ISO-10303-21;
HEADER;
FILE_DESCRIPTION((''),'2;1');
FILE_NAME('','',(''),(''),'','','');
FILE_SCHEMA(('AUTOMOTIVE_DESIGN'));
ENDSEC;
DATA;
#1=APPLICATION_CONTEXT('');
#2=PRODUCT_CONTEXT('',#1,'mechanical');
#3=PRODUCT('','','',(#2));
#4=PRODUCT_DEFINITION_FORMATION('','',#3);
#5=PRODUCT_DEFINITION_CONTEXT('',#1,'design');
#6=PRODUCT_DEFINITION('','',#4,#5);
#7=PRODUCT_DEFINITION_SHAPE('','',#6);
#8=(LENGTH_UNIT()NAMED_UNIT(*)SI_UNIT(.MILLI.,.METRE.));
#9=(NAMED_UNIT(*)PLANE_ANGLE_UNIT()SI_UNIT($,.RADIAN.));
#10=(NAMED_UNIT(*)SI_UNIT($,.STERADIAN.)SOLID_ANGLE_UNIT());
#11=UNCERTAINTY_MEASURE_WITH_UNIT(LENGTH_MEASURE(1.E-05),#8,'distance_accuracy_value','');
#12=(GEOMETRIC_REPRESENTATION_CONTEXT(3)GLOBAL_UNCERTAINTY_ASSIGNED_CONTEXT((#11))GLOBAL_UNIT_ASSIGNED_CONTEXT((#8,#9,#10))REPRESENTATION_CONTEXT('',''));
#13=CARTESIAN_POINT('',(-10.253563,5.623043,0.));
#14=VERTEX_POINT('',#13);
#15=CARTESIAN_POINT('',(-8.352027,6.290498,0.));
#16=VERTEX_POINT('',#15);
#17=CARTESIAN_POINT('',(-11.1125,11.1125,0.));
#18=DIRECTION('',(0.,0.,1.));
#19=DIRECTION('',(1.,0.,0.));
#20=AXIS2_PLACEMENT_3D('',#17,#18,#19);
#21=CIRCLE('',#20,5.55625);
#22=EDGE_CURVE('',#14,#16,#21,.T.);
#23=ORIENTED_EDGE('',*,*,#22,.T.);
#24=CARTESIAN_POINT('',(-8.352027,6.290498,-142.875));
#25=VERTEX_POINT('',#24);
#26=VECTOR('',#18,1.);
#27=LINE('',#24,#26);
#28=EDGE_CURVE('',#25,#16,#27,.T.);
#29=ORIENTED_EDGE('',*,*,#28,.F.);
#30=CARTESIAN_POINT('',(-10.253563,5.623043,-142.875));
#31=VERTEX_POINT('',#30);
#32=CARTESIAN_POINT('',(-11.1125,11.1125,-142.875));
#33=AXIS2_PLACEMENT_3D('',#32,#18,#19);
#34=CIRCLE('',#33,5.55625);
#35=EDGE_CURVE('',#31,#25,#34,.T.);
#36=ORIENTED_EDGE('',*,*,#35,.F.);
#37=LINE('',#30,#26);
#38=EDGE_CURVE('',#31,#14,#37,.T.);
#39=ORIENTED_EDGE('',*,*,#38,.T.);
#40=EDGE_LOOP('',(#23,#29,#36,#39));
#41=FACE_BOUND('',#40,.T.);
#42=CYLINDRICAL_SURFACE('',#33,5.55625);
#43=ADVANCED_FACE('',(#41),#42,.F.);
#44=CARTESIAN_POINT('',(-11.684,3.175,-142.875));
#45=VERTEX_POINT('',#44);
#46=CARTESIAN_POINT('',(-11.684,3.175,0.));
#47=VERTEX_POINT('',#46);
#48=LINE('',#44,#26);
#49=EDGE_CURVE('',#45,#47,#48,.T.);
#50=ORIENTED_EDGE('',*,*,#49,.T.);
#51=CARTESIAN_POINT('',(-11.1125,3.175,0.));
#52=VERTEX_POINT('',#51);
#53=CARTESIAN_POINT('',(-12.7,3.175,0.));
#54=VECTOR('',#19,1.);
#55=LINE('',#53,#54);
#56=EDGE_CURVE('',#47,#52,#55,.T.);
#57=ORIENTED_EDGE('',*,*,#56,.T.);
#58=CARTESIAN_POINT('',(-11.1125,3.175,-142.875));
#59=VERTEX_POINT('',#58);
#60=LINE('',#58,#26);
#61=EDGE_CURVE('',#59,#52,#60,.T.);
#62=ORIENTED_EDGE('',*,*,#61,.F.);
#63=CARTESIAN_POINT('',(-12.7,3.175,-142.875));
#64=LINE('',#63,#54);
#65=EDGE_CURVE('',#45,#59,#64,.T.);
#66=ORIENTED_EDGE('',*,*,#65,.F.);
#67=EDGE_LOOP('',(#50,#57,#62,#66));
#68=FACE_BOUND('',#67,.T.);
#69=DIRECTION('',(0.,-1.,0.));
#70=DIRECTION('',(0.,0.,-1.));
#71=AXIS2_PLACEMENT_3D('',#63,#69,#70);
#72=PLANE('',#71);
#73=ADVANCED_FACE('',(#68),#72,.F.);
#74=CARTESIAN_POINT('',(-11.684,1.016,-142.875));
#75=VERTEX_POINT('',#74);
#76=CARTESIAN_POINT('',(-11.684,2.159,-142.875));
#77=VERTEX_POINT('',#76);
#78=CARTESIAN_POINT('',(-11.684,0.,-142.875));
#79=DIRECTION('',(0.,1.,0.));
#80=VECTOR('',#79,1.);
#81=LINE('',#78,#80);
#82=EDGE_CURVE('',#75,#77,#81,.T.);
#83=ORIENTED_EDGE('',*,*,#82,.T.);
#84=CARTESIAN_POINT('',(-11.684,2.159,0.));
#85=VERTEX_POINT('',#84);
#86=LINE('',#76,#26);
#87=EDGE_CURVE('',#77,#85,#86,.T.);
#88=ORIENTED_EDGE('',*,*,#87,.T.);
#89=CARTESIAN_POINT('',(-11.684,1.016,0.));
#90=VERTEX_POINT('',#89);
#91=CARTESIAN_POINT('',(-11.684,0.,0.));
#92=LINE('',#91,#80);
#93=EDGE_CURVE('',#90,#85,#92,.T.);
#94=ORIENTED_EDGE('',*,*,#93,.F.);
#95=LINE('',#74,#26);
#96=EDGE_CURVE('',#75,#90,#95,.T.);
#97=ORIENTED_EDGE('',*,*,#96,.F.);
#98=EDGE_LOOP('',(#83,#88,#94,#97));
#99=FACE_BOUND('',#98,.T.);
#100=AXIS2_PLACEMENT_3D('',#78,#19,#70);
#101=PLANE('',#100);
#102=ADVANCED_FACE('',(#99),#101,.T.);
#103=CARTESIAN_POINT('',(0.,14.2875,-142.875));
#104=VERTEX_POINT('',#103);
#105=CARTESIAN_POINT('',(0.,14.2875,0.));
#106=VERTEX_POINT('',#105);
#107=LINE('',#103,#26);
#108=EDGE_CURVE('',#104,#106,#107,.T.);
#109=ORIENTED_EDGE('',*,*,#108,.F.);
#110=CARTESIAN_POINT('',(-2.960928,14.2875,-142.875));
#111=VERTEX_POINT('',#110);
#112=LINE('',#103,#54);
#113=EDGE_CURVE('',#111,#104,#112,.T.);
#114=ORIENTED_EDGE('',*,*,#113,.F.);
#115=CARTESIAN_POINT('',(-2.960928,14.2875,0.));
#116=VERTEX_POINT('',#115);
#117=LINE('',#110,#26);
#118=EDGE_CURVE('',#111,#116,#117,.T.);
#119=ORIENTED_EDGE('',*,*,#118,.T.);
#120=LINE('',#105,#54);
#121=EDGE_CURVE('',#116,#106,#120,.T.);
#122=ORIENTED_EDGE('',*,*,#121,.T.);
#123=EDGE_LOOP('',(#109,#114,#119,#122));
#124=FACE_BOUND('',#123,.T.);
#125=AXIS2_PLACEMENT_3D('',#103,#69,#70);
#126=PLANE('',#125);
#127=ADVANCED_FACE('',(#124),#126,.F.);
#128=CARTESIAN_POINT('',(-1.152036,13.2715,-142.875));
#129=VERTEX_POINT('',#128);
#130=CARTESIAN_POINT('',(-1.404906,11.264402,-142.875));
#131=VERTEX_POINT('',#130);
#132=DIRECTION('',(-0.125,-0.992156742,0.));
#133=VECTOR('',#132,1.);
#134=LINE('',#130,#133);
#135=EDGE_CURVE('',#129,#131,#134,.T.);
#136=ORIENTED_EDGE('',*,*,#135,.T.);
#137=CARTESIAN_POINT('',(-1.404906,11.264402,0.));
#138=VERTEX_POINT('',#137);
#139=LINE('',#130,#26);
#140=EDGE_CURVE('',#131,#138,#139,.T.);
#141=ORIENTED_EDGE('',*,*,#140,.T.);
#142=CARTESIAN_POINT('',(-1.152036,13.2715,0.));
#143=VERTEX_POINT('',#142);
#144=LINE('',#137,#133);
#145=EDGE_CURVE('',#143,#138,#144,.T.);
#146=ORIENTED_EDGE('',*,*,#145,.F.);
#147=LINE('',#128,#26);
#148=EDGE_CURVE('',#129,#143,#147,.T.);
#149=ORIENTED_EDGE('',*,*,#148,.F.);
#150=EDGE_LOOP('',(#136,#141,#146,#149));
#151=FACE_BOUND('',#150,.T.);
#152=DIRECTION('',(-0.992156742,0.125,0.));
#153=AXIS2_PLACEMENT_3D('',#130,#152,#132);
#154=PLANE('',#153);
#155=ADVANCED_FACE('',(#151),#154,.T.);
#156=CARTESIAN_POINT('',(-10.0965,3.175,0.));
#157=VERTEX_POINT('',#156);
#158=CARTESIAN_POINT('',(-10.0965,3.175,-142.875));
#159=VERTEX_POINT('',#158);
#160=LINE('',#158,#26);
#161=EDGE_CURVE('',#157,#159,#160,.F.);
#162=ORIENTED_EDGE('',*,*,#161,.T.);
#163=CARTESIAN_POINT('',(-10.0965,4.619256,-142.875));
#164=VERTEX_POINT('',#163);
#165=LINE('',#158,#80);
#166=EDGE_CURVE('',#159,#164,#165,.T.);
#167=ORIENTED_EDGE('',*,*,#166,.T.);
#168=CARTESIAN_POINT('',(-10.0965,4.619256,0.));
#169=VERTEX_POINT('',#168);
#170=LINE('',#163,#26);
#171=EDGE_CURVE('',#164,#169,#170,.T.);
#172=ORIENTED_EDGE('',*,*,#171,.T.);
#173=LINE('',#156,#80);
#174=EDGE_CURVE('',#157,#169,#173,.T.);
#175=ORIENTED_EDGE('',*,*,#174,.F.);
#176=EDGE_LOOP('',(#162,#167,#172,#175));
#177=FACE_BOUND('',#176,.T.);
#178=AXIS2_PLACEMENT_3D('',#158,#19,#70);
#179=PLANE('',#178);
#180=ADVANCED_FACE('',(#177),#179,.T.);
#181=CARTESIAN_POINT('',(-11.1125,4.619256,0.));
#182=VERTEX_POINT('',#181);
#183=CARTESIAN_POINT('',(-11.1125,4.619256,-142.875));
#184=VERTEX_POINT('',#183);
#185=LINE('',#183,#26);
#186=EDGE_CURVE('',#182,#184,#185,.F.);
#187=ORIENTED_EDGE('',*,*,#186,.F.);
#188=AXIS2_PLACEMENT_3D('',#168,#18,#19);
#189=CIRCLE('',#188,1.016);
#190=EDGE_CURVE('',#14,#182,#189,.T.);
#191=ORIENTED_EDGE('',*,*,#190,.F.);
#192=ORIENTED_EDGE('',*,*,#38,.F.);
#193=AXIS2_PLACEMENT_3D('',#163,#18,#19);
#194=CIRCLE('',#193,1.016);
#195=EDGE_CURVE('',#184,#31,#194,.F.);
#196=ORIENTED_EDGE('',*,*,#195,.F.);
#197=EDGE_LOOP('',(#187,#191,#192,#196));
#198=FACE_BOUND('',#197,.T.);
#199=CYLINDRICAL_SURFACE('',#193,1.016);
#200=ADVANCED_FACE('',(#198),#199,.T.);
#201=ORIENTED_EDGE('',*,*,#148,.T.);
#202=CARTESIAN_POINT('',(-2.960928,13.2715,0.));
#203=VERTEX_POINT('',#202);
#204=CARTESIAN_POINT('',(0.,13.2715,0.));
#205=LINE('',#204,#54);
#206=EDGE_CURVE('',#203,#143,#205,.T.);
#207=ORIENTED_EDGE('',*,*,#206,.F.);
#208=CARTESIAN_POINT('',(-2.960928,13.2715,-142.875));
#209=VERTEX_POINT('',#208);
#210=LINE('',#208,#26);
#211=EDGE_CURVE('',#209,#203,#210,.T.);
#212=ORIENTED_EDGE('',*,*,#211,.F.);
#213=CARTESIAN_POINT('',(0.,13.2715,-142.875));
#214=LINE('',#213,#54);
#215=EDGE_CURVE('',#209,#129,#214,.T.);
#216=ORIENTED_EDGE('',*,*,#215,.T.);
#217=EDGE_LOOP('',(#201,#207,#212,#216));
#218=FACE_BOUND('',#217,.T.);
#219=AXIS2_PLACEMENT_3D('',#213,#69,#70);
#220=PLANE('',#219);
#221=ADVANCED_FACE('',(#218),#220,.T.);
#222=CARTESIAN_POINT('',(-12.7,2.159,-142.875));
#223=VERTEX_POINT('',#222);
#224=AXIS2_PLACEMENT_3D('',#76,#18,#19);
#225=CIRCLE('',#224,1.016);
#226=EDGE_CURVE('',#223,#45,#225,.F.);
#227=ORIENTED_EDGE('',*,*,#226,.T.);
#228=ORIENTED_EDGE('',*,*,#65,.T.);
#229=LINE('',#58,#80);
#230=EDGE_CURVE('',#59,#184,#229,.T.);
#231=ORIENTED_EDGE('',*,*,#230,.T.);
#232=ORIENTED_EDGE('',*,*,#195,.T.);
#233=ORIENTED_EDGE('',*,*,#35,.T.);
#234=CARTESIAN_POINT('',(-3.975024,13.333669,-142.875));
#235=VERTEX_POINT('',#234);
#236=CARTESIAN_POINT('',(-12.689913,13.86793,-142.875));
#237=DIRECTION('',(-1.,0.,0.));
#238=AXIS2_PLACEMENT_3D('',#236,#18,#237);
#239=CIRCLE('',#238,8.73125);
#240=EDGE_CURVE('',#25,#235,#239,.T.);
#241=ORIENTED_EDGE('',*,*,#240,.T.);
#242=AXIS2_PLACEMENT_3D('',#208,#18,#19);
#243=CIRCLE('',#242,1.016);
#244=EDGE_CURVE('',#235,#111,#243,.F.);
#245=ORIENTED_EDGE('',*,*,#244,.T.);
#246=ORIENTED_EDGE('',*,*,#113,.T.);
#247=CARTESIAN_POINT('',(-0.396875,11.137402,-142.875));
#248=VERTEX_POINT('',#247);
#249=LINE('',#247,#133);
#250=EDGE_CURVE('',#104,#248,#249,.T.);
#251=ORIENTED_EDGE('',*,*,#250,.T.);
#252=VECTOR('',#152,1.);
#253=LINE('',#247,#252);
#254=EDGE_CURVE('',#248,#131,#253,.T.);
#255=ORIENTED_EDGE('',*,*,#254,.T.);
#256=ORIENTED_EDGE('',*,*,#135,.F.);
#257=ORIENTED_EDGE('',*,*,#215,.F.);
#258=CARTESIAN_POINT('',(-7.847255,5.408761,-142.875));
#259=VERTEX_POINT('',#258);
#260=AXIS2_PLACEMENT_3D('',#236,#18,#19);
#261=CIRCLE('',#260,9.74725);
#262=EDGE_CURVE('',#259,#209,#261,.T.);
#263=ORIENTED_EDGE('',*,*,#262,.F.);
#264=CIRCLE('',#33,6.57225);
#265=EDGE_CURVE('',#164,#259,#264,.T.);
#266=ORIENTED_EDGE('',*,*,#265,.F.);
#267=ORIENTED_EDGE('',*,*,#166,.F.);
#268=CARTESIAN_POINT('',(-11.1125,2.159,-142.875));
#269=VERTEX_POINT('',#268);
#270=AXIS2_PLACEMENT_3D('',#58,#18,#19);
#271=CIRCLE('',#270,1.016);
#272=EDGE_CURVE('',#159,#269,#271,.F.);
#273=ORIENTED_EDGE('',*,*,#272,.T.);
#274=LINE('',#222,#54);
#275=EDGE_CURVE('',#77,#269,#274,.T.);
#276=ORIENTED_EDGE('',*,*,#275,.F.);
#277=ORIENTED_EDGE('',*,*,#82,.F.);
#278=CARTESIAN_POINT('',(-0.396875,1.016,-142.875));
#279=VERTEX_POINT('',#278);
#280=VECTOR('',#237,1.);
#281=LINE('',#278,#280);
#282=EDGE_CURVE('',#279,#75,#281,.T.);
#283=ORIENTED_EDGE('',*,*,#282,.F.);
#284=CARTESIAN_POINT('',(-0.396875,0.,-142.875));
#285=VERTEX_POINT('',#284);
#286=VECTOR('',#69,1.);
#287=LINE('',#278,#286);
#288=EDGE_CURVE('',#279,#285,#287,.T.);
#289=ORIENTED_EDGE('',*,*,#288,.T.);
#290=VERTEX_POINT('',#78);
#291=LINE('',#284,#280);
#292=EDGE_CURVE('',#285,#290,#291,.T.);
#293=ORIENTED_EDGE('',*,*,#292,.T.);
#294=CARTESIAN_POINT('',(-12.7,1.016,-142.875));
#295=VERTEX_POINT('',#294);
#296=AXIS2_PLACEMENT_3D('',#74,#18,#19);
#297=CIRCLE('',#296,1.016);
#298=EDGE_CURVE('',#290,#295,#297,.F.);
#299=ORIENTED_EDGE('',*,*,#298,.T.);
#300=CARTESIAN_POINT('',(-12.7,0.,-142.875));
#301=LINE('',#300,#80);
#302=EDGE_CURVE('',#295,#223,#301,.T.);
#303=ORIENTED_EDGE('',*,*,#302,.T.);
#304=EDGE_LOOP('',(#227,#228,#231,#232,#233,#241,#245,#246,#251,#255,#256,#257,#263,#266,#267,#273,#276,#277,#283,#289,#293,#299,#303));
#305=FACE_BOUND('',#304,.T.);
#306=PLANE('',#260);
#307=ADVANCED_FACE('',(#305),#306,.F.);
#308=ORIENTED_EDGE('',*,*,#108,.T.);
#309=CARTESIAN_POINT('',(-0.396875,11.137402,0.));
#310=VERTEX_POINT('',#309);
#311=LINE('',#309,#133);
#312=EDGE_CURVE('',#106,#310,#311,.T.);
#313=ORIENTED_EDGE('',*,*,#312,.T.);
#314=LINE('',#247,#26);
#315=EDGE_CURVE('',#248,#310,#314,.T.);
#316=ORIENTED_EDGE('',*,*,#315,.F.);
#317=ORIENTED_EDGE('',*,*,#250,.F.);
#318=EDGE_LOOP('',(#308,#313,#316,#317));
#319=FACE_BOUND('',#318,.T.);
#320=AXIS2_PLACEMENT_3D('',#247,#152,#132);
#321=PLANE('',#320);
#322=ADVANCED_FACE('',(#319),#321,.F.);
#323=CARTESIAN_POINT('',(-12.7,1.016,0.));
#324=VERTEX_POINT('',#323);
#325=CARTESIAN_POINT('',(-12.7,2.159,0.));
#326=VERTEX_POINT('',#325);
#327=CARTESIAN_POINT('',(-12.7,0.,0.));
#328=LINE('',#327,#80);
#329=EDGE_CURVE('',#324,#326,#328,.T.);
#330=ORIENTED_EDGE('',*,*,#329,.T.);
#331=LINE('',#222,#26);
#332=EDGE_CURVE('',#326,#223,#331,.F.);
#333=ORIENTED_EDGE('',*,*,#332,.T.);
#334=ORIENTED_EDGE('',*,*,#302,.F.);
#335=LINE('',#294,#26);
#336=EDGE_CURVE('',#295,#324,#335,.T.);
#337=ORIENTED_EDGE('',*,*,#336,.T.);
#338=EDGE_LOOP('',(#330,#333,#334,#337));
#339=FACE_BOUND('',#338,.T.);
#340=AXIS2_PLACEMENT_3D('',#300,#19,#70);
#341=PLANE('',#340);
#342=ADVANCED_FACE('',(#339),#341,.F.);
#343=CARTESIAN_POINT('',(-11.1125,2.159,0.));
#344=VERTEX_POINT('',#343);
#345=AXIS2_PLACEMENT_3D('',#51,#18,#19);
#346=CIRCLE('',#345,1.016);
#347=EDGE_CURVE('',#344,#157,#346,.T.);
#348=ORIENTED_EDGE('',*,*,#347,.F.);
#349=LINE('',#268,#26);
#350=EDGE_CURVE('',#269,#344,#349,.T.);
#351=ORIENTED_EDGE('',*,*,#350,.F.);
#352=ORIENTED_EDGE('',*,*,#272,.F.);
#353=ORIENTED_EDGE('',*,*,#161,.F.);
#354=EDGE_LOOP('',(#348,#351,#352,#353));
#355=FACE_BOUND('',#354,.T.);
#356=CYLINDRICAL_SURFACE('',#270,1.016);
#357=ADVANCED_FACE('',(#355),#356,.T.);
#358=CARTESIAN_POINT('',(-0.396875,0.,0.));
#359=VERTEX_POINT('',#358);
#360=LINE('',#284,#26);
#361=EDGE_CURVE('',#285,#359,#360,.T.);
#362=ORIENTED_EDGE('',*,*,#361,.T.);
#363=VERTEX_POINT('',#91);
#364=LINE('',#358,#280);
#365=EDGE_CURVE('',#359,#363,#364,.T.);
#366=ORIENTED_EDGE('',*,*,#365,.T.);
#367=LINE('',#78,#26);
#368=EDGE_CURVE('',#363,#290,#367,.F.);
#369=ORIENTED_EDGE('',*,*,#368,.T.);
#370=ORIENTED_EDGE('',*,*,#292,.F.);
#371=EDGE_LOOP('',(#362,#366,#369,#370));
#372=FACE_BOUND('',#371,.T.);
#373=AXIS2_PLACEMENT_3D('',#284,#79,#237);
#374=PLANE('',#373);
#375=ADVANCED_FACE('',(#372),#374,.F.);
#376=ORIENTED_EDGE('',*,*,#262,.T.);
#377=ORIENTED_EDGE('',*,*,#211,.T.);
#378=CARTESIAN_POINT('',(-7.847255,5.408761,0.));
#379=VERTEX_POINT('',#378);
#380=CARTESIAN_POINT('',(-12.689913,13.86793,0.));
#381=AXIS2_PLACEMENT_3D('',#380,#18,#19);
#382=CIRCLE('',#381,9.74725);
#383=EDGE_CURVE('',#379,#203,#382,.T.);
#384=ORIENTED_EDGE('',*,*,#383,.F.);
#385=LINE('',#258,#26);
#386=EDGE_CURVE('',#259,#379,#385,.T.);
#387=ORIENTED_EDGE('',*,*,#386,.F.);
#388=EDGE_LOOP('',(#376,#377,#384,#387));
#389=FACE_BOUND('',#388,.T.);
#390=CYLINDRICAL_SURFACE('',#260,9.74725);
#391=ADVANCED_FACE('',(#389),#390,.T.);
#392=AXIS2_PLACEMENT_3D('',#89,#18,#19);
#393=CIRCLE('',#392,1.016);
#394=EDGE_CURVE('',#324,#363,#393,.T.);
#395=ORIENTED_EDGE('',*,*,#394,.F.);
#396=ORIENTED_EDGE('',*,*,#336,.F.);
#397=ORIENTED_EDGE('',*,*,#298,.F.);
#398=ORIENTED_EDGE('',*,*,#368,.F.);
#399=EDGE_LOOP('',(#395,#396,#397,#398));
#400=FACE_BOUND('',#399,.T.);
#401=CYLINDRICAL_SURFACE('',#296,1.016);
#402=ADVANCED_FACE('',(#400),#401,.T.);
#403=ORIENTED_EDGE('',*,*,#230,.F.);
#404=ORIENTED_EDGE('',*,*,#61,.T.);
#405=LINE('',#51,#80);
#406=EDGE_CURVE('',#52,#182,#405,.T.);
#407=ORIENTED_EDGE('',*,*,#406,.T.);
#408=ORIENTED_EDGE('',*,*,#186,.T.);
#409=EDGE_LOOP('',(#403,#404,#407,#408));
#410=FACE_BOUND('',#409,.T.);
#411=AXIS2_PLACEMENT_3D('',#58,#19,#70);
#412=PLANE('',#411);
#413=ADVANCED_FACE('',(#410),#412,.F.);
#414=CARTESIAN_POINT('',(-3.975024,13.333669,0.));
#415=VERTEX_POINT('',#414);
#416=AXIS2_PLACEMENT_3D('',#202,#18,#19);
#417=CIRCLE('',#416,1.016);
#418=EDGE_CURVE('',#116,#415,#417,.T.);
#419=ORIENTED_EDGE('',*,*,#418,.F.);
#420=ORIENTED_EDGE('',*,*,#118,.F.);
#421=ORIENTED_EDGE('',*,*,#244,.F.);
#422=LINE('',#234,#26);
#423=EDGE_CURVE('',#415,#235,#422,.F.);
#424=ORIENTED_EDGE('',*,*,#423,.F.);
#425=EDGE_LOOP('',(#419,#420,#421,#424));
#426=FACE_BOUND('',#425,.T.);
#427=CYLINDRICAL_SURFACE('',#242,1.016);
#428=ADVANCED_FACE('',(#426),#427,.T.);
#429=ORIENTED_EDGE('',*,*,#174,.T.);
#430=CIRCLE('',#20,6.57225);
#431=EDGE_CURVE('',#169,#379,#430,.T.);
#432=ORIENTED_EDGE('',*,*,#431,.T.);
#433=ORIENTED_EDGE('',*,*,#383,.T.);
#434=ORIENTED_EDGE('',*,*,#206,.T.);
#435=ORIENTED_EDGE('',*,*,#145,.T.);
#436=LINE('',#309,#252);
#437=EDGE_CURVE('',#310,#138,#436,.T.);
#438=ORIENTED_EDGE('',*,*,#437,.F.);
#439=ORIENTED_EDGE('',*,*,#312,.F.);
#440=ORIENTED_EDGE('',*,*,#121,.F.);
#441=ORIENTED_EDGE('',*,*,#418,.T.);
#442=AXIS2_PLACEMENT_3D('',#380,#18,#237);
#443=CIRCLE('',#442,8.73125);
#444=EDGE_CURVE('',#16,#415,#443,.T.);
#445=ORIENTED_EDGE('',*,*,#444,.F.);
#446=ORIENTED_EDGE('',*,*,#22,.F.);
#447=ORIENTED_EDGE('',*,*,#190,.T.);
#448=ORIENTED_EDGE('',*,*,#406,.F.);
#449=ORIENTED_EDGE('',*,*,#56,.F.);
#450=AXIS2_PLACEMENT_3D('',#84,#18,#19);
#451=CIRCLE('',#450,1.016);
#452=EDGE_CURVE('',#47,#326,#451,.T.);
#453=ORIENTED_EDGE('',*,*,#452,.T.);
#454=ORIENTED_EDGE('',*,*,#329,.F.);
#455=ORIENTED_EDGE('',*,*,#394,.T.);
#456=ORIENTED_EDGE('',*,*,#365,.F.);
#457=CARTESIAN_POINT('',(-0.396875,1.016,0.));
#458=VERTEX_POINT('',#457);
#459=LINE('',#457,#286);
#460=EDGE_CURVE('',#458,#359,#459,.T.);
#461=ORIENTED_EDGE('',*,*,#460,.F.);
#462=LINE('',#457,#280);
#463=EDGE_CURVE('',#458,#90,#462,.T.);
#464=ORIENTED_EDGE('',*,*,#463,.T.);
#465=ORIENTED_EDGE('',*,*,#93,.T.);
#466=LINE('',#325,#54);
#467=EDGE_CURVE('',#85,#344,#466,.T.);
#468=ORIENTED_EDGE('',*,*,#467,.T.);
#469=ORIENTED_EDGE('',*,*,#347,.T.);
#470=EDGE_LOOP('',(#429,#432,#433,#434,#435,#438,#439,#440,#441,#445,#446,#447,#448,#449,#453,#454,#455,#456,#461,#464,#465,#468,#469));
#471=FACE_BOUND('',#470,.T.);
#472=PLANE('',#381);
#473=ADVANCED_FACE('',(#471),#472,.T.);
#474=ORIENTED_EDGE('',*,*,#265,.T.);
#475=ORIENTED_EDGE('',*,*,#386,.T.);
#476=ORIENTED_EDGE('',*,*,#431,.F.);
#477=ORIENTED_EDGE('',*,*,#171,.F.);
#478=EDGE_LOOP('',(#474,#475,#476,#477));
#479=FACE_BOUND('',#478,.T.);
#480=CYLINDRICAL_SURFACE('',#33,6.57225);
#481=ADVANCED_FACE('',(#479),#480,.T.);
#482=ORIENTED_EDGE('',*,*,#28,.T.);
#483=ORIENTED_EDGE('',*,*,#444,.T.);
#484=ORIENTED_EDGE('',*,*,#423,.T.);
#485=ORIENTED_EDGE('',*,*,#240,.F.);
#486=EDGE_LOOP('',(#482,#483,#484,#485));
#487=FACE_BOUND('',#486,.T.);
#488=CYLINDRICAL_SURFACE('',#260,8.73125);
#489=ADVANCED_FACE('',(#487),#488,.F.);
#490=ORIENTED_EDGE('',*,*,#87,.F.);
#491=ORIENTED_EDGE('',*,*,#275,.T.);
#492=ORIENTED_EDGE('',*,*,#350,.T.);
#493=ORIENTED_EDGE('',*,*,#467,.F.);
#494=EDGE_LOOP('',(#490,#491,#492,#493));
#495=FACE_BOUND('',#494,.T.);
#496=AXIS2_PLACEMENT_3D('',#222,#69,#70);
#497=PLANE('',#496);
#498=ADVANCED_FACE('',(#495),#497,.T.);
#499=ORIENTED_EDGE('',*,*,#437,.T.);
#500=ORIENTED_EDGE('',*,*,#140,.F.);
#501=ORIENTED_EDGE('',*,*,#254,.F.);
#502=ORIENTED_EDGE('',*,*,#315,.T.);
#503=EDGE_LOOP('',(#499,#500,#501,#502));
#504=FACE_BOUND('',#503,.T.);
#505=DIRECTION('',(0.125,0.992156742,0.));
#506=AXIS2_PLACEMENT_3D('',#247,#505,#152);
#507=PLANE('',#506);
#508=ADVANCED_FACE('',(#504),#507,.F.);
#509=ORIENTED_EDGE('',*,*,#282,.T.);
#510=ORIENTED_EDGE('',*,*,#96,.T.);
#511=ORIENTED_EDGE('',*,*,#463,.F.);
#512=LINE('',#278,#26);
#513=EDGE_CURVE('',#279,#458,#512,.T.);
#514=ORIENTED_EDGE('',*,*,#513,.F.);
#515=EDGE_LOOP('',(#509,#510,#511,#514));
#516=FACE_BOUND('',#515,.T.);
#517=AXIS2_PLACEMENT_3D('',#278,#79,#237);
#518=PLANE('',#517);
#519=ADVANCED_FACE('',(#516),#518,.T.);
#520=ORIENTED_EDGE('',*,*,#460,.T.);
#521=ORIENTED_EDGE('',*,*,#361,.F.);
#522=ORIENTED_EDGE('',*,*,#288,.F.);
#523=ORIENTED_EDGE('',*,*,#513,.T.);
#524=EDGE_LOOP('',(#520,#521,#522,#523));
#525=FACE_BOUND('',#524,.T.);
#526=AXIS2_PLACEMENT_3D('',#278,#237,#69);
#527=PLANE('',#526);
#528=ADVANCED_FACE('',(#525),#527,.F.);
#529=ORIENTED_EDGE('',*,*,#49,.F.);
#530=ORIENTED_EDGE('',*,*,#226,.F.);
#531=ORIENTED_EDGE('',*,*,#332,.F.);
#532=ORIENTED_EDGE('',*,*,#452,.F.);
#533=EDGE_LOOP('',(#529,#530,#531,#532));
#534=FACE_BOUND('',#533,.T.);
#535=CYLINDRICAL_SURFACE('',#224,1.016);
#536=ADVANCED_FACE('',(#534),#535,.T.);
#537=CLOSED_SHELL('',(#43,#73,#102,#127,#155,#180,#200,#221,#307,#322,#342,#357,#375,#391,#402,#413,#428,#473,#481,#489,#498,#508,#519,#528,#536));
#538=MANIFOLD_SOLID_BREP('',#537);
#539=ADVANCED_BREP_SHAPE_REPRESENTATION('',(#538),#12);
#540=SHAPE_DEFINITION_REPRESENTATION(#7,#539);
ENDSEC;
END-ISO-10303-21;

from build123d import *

# Parameters (mm, degrees)
EXTRUDE_THIN1_DEPTH = 142.875
FILLET1_R           = 1.016


with BuildPart() as part:
    # Sketch1 → Extrude-Thin1 (new body)
    with BuildSketch(Plane.XY):
        with BuildLine():
            Line((-0.396875, 11.137402345), (0, 14.2875))
            Line((0, 14.2875), (-3.96875, 14.2875))
            ThreePointArc((-3.96875, 14.2875), (-5.03336677, 9.671261516), (-8.352026926, 6.290498085))
            ThreePointArc((-8.352026926, 6.290498085), (-9.684272791, 5.742948706), (-11.1125, 5.55625))
            Line((-11.1125, 5.55625), (-11.1125, 3.175))
            Line((-11.1125, 3.175), (-12.7, 3.175))
            Line((-12.7, 3.175), (-12.7, 0))
            Line((-12.7, 0), (-0.396875, 0))
            Line((-0.396875, 0), (-0.396875, 1.016))
            Line((-0.396875, 1.016), (-11.684, 1.016))
            Line((-11.684, 1.016), (-11.684, 2.159))
            Line((-11.684, 2.159), (-10.0965, 2.159))
            Line((-10.0965, 2.159), (-10.0965, 4.619256276))
            ThreePointArc((-10.0965, 4.619256276), (-8.935783532, 4.911179537), (-7.847254707, 5.408760591))
            ThreePointArc((-7.847254707, 5.408760591), (-4.411092734, 8.723027869), (-2.960927924, 13.2715))
            Line((-2.960927924, 13.2715), (-1.152035714, 13.2715))
            Line((-1.152035714, 13.2715), (-1.40490625, 11.264402345))
            Line((-1.40490625, 11.264402345), (-0.396875, 11.137402345))
        make_face()
    extrude(amount=-EXTRUDE_THIN1_DEPTH)

    # Fillet1
    fillet1_edges = [part.edges().sort_by_distance(p)[0] for p in [
        (-10.0965, 2.159, -71.4375),
        (-12.7, 0, -71.4375),
        (-12.7, 3.175, -71.4375),
        (-11.1125, 5.55625, -71.4375),
        (-3.96875, 14.2875, -71.4375),
    ]]
    fillet(fillet1_edges, radius=FILLET1_R)


solid = part.part
